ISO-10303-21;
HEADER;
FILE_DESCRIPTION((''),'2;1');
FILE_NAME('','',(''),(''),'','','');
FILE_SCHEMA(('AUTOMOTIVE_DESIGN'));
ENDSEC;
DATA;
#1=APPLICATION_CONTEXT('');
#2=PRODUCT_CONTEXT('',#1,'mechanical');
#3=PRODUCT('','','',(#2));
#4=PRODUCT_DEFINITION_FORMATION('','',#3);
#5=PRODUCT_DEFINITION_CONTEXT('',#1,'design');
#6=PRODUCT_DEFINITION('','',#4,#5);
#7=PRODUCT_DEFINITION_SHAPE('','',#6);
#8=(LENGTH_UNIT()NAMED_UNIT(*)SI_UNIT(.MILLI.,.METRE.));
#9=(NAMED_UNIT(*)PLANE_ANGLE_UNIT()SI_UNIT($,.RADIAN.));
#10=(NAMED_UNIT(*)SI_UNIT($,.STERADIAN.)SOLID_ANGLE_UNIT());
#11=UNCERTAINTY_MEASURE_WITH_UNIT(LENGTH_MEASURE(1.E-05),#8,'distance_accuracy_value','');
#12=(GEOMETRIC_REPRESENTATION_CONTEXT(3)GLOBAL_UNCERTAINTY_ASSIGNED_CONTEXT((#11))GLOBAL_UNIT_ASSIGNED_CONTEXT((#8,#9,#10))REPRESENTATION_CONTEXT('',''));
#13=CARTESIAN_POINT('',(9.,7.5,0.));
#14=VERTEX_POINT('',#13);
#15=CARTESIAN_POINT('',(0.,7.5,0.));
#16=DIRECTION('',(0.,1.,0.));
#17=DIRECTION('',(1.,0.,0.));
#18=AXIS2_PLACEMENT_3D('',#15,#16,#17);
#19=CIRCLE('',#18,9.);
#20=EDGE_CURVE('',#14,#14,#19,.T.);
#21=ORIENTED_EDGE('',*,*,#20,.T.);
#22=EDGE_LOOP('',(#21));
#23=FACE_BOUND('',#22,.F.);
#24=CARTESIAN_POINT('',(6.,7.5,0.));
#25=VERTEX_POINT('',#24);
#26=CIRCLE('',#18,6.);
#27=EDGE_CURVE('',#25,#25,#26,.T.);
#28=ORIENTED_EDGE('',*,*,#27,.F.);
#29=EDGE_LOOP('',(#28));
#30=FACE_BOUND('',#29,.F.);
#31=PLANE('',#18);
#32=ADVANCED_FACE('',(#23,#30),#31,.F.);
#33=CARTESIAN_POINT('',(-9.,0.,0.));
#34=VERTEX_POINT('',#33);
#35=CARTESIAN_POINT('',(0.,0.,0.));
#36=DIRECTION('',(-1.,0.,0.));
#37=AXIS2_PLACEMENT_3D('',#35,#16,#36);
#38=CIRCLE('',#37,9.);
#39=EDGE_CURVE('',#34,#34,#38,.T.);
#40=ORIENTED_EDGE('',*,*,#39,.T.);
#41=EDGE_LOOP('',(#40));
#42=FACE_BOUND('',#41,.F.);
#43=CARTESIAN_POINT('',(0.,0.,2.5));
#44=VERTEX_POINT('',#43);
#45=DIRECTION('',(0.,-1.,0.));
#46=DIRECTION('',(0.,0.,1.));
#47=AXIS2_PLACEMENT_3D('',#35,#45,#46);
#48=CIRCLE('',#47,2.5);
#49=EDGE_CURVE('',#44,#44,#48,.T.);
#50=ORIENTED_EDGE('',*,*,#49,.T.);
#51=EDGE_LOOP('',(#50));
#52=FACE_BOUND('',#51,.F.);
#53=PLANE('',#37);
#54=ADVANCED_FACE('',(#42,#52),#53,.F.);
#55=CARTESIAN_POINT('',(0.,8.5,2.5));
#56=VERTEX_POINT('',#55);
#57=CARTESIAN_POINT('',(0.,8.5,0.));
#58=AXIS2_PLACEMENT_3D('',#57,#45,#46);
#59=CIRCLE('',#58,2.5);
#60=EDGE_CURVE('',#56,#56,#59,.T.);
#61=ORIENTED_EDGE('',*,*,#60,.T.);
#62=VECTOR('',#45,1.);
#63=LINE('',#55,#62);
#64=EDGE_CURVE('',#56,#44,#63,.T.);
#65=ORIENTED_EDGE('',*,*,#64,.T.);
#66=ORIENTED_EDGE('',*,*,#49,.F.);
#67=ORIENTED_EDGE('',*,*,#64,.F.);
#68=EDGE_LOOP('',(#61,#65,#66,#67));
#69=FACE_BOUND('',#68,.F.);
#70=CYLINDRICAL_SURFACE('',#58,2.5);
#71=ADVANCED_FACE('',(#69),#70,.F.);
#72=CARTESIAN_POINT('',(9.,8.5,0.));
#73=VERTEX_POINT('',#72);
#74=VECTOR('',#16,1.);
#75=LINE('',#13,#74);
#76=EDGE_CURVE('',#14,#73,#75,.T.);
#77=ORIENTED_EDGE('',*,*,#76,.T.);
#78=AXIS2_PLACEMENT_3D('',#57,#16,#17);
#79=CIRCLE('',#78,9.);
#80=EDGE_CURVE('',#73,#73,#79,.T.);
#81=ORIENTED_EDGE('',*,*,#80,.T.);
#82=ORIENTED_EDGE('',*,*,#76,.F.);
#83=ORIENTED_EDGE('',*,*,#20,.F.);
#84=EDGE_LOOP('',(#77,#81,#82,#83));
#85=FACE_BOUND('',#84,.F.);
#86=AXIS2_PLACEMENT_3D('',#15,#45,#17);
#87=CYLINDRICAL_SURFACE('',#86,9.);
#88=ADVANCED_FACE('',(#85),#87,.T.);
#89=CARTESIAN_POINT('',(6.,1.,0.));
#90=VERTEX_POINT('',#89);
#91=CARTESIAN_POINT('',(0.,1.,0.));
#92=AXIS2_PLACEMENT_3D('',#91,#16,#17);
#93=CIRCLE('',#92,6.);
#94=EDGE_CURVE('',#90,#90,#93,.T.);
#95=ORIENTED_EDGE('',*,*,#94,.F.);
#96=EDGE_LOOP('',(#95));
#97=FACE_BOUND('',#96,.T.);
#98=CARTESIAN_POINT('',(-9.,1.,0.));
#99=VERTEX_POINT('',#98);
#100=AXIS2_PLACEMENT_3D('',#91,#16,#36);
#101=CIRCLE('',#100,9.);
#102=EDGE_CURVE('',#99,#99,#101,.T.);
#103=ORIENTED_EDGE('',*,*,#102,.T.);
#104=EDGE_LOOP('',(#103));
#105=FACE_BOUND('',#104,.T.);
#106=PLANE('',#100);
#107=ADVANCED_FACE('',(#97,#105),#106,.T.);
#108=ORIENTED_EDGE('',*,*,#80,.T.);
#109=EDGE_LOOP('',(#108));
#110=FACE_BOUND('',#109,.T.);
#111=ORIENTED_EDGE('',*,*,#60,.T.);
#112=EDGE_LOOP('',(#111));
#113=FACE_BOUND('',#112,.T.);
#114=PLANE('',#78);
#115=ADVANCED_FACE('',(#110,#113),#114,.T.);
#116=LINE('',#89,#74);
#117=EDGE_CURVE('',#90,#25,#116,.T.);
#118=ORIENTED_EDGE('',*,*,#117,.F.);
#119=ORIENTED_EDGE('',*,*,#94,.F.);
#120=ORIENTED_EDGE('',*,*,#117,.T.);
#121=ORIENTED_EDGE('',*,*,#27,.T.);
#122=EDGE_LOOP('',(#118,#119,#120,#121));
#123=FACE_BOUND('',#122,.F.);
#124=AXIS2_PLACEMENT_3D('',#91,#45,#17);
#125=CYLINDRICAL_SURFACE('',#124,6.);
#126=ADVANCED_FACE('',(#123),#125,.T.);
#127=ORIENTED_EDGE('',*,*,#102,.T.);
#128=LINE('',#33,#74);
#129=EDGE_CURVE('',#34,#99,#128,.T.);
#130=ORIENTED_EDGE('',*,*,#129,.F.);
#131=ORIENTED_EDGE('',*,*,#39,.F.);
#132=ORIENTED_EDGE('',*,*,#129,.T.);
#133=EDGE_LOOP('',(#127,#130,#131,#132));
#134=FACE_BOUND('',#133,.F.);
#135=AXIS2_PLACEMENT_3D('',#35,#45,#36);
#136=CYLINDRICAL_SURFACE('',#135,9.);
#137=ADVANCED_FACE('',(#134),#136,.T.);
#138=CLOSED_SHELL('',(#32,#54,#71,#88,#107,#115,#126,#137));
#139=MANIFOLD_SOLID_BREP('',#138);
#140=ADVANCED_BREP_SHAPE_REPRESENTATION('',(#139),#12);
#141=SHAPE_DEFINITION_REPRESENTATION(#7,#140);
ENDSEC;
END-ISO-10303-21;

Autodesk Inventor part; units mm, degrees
ref_plane "YZ Plane" through (0, 0, 0) normal (1, 0, 0) x (0, 1, 0)
ref_plane "XZ Plane" through (0, 0, 0) normal (0, 1, 0) x (-1, 0, 0)
ref_plane "XY Plane" through (0, 0, 0) normal (0, 0, 1) x (1, 0, 0)
sketch "Sketch1" plane through (0, 0, 0) normal (0, 1, 0) x (-1, 0, 0)
  circle A0 centre (0, 0) radius 9
  dimension "d0" = 18
extrude "Extrusion1" add sketch "Sketch1" along normal blind 1
sketch "Sketch2" plane through (0, 1, 0) normal (0, 1, 0) x (1, 0, 0)
  circle A0 centre (0, 0) radius 6
  dimension "d3" = 12
extrude "Extrusion2" add sketch "Sketch2" along normal blind 6.5
sketch "Sketch3" plane through (0, 7.5, 0) normal (0, 1, 0) x (1, 0, 0)
  circle A0 centre (0, 0) radius 9
  dimension "d8" = 18
extrude "Extrusion3" add sketch "Sketch3" along normal blind 1
sketch "Sketch4" plane through (0, 8.5, 0) normal (0, 1, 0) x (1, 0, 0)
  point P0 (0, 0)
  point P1 (0, 0)
hole "Hole1" at (0, 8.5, 0) direction (0, -1, 0) diameter 5 end through all
properties part number "GT2 20 Teeth Pulley"
